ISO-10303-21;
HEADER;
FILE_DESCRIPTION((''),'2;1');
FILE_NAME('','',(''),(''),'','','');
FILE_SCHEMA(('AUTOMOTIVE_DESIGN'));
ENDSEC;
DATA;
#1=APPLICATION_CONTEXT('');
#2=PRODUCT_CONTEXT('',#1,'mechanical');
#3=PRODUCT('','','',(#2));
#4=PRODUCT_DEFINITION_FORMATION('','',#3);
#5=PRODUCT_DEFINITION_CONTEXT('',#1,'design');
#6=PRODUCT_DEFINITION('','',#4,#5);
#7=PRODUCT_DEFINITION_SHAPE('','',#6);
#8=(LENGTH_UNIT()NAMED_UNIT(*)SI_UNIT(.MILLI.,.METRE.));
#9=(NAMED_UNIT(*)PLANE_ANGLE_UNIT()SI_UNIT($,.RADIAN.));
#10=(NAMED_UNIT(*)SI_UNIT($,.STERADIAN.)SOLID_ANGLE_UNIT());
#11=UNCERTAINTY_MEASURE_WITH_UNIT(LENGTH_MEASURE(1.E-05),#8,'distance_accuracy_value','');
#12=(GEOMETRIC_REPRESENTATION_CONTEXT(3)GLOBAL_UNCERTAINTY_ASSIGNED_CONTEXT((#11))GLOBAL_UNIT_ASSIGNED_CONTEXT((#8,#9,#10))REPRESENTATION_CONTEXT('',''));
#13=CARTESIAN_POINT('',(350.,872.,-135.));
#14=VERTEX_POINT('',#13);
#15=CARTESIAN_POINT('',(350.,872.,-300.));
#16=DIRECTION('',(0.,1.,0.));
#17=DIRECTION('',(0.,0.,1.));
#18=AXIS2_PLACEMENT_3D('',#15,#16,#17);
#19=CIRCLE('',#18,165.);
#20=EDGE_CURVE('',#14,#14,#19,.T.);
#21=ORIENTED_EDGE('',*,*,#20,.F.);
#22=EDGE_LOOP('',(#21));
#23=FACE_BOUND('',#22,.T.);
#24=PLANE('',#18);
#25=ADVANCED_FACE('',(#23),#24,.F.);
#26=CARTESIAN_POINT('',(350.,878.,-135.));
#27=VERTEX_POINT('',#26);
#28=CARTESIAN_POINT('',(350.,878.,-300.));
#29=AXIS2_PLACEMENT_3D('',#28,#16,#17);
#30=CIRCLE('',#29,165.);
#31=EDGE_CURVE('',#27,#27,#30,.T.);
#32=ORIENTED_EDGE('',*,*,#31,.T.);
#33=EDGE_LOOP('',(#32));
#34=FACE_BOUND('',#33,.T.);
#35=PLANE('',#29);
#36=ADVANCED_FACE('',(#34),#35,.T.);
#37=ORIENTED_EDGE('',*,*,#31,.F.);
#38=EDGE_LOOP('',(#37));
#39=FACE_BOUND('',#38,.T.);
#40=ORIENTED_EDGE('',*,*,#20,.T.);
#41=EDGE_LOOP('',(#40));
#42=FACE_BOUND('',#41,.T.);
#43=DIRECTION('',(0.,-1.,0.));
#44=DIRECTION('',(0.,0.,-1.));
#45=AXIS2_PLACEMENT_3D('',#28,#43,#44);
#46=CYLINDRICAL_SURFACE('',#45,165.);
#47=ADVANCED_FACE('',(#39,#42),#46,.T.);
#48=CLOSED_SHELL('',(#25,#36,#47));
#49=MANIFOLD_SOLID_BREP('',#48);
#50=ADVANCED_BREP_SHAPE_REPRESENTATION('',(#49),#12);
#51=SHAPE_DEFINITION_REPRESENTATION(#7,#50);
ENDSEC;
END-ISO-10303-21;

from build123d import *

# Parameters (mm, degrees)
OVEN_TEPSI_NISI_HALKASI_D330_START = 872
SKETCH1_R                          = 165
OVEN_TEPSI_NISI_HALKASI_D330_DEPTH = 6


with BuildPart() as part:
    # Sketch1 → OVEN_tepsi_nisi_halkasi_D330 (new body)
    with BuildSketch(Plane(origin=(0, 0, 0), x_dir=(1, 0, 0), z_dir=(0, 1, 0)).offset(OVEN_TEPSI_NISI_HALKASI_D330_START)):
        with Locations(Location((350, 300, 0), (0, 0, 270))):
            Circle(SKETCH1_R)
    extrude(amount=OVEN_TEPSI_NISI_HALKASI_D330_DEPTH)


solid = part.part
